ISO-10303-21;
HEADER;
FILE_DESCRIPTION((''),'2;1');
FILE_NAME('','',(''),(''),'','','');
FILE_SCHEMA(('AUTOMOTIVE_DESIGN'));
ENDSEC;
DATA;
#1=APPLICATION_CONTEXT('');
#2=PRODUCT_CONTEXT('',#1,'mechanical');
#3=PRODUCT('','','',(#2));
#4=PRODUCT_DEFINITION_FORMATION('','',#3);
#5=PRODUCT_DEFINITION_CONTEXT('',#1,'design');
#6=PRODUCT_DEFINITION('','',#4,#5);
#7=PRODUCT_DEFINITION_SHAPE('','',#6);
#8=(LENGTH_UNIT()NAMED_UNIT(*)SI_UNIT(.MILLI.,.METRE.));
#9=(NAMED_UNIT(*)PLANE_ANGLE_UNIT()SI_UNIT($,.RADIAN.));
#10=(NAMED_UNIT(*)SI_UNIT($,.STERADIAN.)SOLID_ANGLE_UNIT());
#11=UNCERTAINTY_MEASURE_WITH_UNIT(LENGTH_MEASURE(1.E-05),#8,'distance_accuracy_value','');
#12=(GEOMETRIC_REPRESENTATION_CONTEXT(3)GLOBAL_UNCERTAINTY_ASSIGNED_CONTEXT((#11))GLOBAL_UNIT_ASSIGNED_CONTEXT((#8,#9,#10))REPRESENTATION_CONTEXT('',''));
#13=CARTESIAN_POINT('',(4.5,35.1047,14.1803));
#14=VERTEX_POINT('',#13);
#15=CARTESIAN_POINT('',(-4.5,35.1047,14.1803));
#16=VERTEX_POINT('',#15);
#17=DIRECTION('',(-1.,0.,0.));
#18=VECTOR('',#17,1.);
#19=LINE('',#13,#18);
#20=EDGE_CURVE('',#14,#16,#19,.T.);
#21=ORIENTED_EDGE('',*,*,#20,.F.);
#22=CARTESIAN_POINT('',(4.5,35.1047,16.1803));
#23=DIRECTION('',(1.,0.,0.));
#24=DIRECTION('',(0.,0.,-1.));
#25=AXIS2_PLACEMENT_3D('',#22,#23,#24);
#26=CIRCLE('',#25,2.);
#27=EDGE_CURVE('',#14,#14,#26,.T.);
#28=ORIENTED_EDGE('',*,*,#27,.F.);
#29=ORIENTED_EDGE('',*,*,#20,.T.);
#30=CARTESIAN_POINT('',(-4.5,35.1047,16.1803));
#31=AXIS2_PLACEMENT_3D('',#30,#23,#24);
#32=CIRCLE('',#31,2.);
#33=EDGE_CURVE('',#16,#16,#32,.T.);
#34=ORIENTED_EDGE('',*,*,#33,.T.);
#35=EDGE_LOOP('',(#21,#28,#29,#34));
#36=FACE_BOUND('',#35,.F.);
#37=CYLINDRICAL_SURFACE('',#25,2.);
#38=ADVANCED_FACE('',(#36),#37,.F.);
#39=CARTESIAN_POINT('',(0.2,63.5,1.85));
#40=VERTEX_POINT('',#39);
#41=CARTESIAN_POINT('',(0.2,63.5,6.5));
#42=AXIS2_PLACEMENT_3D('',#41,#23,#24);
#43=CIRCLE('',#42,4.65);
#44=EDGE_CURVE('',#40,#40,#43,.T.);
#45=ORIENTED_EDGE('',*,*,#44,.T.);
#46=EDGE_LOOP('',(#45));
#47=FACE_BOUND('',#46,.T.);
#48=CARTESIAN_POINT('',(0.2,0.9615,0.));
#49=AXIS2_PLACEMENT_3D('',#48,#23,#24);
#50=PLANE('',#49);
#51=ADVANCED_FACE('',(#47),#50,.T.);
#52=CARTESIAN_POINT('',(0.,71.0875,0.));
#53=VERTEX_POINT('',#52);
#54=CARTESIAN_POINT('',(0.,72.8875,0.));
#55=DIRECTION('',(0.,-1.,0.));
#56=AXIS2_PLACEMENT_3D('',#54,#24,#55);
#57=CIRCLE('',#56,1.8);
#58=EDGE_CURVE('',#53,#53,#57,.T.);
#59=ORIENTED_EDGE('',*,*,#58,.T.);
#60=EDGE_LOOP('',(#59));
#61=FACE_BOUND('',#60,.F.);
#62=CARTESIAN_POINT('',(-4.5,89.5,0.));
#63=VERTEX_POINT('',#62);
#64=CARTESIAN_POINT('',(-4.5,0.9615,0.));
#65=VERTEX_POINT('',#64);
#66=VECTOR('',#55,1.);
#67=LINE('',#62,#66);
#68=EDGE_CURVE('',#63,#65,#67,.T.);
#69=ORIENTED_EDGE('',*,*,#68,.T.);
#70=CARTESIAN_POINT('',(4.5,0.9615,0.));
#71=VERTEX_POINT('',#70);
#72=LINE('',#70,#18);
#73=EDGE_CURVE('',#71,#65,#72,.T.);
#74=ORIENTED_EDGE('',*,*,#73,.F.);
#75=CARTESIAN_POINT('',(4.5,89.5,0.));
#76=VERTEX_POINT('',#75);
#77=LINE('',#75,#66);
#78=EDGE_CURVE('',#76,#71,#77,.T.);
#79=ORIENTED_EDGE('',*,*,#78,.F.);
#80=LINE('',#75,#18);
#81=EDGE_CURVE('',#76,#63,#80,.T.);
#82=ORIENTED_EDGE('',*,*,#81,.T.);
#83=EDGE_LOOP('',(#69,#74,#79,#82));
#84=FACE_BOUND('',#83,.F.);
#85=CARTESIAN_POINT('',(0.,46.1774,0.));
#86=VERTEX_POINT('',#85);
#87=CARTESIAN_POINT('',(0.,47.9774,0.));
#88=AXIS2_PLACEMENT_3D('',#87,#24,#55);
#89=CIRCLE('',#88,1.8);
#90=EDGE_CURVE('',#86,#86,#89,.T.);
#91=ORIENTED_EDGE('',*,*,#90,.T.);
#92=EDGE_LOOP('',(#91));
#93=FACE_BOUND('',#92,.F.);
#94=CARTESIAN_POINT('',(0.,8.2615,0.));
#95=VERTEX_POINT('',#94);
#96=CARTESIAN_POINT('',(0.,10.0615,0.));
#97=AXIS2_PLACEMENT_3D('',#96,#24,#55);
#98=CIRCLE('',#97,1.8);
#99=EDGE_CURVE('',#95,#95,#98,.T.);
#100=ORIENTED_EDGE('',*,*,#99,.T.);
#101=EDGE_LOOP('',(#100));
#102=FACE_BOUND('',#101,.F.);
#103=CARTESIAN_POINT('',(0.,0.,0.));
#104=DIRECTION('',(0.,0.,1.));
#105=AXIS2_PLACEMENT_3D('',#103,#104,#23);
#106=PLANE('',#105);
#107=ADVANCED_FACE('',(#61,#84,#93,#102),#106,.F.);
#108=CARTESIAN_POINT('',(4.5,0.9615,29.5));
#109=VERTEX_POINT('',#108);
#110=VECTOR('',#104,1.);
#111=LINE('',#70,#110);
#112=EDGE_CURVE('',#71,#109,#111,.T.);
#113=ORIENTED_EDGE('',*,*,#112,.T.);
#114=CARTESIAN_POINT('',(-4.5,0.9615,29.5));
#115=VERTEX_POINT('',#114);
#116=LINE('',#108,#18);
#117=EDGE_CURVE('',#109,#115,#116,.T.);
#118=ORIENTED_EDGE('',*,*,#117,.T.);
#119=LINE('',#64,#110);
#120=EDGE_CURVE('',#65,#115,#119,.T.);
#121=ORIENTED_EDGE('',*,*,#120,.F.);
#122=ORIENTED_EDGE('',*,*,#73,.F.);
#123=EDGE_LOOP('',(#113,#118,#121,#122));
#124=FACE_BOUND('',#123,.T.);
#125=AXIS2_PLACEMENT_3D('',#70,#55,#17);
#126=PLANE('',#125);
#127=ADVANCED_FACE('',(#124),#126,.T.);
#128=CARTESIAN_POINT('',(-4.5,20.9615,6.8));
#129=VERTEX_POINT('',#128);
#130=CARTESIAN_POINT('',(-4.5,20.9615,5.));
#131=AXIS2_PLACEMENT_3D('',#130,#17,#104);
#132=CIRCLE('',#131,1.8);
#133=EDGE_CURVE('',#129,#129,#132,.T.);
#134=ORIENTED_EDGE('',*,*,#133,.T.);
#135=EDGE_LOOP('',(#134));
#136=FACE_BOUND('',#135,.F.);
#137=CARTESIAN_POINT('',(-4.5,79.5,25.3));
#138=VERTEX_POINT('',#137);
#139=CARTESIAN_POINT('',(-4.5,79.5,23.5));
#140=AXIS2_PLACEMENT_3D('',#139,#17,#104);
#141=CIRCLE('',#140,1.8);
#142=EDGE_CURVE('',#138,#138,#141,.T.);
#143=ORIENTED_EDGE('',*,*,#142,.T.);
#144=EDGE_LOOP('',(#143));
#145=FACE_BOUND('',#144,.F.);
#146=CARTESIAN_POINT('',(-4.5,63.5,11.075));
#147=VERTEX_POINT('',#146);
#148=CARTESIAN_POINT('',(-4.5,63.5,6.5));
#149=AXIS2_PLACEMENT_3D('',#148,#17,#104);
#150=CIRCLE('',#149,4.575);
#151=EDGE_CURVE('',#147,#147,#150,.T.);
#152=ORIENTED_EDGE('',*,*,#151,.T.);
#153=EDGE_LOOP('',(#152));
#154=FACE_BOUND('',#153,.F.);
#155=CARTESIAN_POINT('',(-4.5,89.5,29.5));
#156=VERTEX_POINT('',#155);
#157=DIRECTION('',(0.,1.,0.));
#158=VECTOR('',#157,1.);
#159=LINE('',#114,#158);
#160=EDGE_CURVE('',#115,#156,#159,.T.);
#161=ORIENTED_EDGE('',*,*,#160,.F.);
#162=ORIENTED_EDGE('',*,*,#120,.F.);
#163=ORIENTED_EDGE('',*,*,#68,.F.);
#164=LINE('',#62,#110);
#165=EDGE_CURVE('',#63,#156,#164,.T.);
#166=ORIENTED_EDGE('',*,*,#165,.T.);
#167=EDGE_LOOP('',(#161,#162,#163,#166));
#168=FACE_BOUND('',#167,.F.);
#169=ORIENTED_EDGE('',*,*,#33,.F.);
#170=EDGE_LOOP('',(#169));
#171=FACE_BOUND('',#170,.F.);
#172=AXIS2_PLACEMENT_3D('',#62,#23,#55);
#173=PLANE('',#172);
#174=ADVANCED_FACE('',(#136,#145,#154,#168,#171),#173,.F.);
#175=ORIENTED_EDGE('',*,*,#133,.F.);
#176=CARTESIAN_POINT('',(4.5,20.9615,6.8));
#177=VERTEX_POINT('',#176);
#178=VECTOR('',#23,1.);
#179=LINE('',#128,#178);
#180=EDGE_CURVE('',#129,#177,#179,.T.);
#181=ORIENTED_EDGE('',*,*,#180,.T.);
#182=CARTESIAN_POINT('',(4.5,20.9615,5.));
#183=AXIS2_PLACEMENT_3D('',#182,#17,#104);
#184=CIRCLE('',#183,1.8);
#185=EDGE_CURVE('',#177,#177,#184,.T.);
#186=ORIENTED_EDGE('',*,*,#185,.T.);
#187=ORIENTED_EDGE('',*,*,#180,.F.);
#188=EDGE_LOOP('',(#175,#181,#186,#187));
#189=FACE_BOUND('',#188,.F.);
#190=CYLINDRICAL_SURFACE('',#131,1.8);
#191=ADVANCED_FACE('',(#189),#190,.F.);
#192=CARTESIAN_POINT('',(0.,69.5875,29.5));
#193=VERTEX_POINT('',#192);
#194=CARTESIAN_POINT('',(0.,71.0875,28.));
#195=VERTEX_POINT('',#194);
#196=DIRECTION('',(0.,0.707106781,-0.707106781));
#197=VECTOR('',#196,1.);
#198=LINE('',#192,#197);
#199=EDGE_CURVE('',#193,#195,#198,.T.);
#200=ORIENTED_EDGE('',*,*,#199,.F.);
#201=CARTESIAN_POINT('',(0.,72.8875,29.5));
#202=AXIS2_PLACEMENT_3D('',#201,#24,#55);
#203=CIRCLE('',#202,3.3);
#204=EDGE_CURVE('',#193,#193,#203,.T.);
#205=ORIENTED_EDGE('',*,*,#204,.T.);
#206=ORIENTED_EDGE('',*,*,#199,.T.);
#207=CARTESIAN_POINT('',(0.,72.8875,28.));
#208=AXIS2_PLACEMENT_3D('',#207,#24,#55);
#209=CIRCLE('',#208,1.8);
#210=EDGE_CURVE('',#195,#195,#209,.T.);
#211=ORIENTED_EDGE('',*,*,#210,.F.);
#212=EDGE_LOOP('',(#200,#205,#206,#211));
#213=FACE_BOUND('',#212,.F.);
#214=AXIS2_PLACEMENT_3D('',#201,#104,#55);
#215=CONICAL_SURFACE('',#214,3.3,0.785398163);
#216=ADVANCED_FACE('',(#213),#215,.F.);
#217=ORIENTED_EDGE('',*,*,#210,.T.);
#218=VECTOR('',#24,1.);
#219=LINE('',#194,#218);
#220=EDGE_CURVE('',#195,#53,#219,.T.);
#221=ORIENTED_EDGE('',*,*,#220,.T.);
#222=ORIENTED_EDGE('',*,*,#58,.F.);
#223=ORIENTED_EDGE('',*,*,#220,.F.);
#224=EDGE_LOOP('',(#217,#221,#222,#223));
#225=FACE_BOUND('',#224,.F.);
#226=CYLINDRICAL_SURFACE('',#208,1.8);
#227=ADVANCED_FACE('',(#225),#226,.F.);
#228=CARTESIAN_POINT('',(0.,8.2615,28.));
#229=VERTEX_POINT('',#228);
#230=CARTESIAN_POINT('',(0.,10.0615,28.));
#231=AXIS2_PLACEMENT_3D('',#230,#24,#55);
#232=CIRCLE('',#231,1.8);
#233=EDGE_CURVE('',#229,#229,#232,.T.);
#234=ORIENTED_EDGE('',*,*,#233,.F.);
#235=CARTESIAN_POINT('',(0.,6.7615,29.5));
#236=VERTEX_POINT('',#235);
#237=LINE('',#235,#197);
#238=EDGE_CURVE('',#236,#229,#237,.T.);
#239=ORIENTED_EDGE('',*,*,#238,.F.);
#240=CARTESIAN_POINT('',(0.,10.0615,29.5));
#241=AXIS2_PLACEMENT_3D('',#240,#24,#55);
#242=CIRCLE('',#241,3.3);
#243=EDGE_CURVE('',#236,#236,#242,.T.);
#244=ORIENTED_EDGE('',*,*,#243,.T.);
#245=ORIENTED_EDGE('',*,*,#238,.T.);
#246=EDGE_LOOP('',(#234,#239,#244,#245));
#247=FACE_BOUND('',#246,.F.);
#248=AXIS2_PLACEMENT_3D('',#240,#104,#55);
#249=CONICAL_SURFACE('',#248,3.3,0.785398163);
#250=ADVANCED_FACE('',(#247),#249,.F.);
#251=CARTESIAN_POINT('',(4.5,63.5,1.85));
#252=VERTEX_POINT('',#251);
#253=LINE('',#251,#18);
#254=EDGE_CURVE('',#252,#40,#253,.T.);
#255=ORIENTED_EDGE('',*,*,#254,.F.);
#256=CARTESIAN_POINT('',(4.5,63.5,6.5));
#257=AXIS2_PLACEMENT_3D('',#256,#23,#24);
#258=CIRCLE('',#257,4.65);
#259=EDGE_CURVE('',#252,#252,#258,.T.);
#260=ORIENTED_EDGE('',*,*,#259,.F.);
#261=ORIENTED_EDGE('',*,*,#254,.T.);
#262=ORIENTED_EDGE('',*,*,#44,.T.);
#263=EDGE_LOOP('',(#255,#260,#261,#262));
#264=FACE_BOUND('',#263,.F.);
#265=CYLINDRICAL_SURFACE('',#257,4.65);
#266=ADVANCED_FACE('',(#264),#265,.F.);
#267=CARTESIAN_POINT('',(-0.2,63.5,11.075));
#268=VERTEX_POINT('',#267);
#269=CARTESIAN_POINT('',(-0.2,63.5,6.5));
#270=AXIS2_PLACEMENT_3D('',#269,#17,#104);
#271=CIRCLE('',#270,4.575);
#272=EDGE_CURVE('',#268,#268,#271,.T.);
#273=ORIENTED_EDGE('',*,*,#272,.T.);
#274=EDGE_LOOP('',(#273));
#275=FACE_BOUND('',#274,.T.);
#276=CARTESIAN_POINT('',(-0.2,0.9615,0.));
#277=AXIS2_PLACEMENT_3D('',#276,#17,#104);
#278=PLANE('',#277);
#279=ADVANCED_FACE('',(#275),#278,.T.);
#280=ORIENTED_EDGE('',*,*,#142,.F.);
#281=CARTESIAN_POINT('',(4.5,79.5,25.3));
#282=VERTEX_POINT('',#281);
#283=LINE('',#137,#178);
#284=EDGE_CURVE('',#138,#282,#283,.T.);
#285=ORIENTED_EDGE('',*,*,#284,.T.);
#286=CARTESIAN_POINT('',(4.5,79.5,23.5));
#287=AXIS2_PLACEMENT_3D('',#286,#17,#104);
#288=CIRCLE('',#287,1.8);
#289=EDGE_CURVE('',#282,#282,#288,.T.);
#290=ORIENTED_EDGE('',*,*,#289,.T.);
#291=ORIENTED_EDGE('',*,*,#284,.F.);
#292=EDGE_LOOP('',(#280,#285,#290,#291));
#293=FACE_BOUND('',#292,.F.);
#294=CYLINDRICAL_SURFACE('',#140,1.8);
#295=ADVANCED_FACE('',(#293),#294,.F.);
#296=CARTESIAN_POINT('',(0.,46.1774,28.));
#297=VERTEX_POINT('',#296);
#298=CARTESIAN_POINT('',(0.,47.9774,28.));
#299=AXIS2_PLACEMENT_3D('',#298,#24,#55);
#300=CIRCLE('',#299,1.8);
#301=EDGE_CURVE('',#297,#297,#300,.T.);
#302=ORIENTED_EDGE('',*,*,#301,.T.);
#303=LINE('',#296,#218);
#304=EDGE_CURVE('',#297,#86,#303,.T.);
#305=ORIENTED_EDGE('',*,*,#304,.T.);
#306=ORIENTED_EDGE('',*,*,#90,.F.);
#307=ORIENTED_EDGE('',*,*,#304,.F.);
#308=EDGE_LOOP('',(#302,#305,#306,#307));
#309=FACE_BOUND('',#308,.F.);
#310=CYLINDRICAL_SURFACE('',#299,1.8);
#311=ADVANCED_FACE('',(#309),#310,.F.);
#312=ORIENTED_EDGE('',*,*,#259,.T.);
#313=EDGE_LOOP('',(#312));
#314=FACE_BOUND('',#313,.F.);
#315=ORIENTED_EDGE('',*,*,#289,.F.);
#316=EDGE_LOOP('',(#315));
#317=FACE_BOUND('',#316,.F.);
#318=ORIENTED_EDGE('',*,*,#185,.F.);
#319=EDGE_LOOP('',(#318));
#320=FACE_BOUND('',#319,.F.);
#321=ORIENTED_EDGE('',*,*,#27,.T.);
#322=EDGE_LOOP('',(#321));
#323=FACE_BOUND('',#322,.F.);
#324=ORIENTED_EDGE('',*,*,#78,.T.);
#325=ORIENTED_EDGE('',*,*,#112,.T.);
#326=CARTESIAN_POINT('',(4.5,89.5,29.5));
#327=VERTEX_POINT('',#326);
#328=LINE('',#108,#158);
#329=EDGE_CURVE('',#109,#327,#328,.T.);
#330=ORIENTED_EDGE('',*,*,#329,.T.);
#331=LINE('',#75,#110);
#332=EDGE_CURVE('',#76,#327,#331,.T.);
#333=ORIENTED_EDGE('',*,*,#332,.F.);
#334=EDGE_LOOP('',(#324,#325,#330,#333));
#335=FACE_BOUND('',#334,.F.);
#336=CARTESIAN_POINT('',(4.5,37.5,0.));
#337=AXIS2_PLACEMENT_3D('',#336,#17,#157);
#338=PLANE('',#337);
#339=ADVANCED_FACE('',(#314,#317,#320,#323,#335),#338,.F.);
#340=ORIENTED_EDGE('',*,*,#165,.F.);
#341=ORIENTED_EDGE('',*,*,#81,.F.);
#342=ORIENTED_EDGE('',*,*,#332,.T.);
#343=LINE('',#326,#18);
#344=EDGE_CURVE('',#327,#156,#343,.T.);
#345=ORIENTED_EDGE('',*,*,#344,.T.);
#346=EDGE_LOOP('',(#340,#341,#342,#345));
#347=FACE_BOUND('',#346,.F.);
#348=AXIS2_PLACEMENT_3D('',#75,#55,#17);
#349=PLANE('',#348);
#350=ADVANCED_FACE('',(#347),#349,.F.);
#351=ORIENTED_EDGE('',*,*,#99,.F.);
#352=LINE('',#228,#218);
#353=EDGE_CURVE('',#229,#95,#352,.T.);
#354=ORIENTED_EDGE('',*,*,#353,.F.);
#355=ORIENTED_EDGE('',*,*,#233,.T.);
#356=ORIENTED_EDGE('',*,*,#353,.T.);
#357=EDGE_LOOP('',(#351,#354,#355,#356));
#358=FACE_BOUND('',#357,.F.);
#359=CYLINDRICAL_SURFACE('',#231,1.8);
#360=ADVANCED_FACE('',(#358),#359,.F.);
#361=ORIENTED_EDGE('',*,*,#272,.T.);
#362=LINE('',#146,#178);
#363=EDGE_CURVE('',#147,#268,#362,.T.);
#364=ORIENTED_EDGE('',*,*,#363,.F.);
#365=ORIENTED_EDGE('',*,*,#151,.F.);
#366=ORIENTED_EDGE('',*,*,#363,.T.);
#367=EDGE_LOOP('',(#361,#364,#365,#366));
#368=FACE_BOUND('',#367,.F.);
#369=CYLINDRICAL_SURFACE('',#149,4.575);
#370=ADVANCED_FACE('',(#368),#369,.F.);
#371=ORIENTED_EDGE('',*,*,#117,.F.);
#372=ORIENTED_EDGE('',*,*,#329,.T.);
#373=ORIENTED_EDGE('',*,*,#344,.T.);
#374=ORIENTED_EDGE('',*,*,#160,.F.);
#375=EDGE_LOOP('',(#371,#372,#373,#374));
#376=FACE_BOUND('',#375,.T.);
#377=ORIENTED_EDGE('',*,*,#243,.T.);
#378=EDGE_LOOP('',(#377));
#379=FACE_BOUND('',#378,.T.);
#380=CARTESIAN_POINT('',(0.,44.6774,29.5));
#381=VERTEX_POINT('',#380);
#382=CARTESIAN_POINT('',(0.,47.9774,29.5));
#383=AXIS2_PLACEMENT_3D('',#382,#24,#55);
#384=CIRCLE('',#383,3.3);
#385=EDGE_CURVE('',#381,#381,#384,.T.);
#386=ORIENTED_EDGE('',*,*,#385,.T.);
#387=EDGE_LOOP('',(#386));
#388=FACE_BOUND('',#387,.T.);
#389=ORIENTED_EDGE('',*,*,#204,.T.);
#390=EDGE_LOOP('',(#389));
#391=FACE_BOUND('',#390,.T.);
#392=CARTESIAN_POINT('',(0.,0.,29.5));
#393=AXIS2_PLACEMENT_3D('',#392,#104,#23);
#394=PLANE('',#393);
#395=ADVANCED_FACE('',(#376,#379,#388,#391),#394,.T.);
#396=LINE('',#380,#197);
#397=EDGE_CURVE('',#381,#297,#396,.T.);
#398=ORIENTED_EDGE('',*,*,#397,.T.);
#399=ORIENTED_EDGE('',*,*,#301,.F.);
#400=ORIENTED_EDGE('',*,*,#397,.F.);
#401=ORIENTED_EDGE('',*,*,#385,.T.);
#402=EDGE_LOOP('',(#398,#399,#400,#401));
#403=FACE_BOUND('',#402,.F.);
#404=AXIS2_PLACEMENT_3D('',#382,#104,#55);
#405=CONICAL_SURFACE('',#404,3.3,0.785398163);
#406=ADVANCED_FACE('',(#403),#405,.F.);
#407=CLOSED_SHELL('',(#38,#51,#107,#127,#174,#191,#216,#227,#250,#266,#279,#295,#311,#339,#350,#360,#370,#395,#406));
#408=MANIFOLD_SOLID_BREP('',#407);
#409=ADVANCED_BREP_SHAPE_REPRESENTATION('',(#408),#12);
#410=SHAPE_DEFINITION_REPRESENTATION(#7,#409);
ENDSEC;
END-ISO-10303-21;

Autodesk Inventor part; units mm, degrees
ref_plane "YZ Plane" through (0, 0, 0) normal (1, 0, 0) x (0, 1, 0)
ref_plane "XZ Plane" through (0, 0, 0) normal (0, 1, 0) x (-1, 0, 0)
ref_plane "Work Plane1" through (0, 0, 0) normal (0, 0, 1) x (1, 0, 0)
sketch "Sketch1" plane through (0, 0, 0) normal (0, 0, 1) x (1, 0, 0)
  line L0 (-74, -73.5) -> (-74, -89.5) projected
  line L1 (-74, -89.5) -> (74, -89.5) projected
  line L2 (74, -89.5) -> (74, -73.5) projected
  line L3 (74, -73.5) -> (89, -73.5) projected
  line L4 (89, -73.5) -> (89, 37.5) projected
  line L5 (89, 37.5) -> (22.5, 37.5) projected
  line L6 (22.5, 37.5) -> (22.5, 89.5) projected
  line L7 (22.5, 89.5) -> (16.5, 89.5) projected
  line L8 (16.5, 89.5) -> (16.5, 37.5) projected
  line L9 (16.5, 37.5) -> (4.5, 37.5) projected
  line L10 (4.5, 37.5) -> (4.5, 89.5) projected
  line L11 (4.5, 89.5) -> (-4.5, 89.5) projected
  line L12 (-4.5, 89.5) -> (-4.5, 37.5) projected
  line L13 (-4.5, 37.5) -> (-16.5, 37.5) projected
  line L14 (-16.5, 37.5) -> (-16.5, 89.5) projected
  line L15 (-16.5, 89.5) -> (-22.5, 89.5) projected
  line L16 (-22.5, 89.5) -> (-22.5, 37.5) projected
  line L17 (-22.5, 37.5) -> (-89, 37.5) projected
  line L18 (-89, 37.5) -> (-89, -73.5) projected
  line L19 (-89, -73.5) -> (-74, -73.5) projected
  circle A0 centre (-29.2, 3.1615) radius 1.8 projected
  line L20 (-22.5, 13.4539) -> (-22.5, 0.9615) projected
  line L21 (-27.2, 13.4539) -> (-22.5, 13.4539) projected
  line L22 (-27.2, 13.4539) -> (-27.2, 5.7703) projected
  line L23 (-27.2, 5.7703) -> (-32.2, 5.7703) projected
  line L24 (-32.2, 0.9615) -> (-32.2, 5.7703) projected
  line L25 (-32.2, 0.9615) -> (-22.5, 0.9615) projected
  circle A1 centre (29.2, 3.1615) radius 1.8 projected
  line L26 (22.5, 13.4539) -> (22.5, 0.9615) projected
  line L27 (32.2, 0.9615) -> (22.5, 0.9615) projected
  line L28 (32.2, 0.9615) -> (32.2, 5.7703) projected
  line L29 (27.2, 5.7703) -> (32.2, 5.7703) projected
  line L30 (27.2, 13.4539) -> (27.2, 5.7703) projected
  line L31 (27.2, 13.4539) -> (22.5, 13.4539) projected
  line L32 (-4.5, 89.5) -> (4.5, 89.5)
  line L33 (4.5, 89.5) -> (4.5, 0.9615)
  line L34 (4.5, 0.9615) -> (-4.5, 0.9615)
  line L35 (-4.5, 0.9615) -> (-4.5, 89.5)
  point P0 (0, 0)
ref_plane "Work Plane2" through (-88.5, 89.5, 29.5) normal (0, 0, 1) x (1, 0, 0)
extrude "Extrusion1" add sketch "Sketch1" along normal up to surface (29.5 mm away) contours L12 L11 L10 L33 L34 L35
sketch "Sketch2" plane through (4.5, 0.9615, 0) normal (1, 0, 0) x (0, 0, -1)
  circle A0 centre (-16.1803, 34.1432) radius 2 projected
  point P0 (0, -0.9615)
extrude "Extrusion2" cut sketch "Sketch2" against normal up to next
sketch "Sketch3" plane through (4.5, 0.9615, 0) normal (1, 0, 0) x (0, 0, -1)
  circle A0 centre (-6.5, 62.5385) radius 5.5 projected
  circle A1 centre (-6.5, 62.5385) radius 4.5
  circle A2 centre (-6.5, 62.5385) radius 4.65
  point P0 (0, -0.9615)
  dimension "d4" = 9
  dimension "d5" = 0.15
extrude "Extrusion3" cut sketch "Sketch3" against normal blind 4.3 contours A1 | A2
sketch "Sketch4" plane through (-4.5, 0.9615, 0) normal (-1, 0, 0) x (0, 0, 1)
  circle A0 centre (6.5, 62.5385) radius 1.2295 projected
  circle A1 centre (6.5, 62.5385) radius 4.65 projected
  circle A2 centre (6.5, 62.5385) radius 4.575
  point P0 (0, -0.9615)
  dimension "d8" = 9.15
extrude "Extrusion4" cut sketch "Sketch4" against normal blind 4.3 contours A0 | A2
sketch "Sketch6" plane through (-4.5, 0.9615, 0) normal (-1, 0, 0) x (0, 0, 1)
  circle A0 centre (5, 20) radius 1.8 projected
  circle A1 centre (23.5, 78.5385) radius 1.8 projected
  point P0 (0, -0.9615)
extrude "Extrusion5" cut sketch "Sketch6" against normal up to surface (9 mm away)
sketch "Sketch7" plane through (-4.5, 0.9615, 29.5) normal (0, 0, 1) x (1, 0, 0)
  line L0 (9, 21.8) -> (9, 18.2) projected
  line L1 (0, 18.2) -> (0, 21.8) projected
  line L2 (0, 32.1432) -> (0, 36.1432) projected
  line L3 (9, 36.1432) -> (9, 32.1432) projected
  line L4 (4.3, 57.9635) -> (4.3, 67.1135) projected
  line L5 (0, 57.9635) -> (0, 67.1135) projected
  line L6 (0, 76.7385) -> (0, 80.3385) projected
  line L7 (9, 88.5385) -> (9, 0) projected
  line L8 (0, 80.3385) -> (9, 80.3385)
  line L9 (9, 80.3385) -> (9, 76.7385)
  line L10 (9, 76.7385) -> (0, 76.7385)
  line L11 (0, 76.7385) -> (0, 80.3385)
  line L12 (9, 57.8885) -> (4.7, 57.8885) projected
  line L13 (0, 67.1135) -> (9, 67.1135)
  line L14 (9, 67.1135) -> (9, 57.8885)
  line L15 (9, 57.8885) -> (0, 57.8885)
  line L16 (0, 57.8885) -> (0, 67.1135)
  line L17 (0, 36.1432) -> (9, 36.1432)
  line L18 (9, 36.1432) -> (9, 32.1432)
  line L19 (9, 32.1432) -> (0, 32.1432)
  line L20 (0, 32.1432) -> (0, 36.1432)
  line L21 (9, 0) -> (0, 0) projected
  line L22 (9, 88.5385) -> (9, 0) projected
  line L23 (0, 88.5385) -> (9, 88.5385) projected
  line L24 (0, 0) -> (0, 88.5385) projected
  line L25 (0, 18.2) -> (9, 18.2)
  line L26 (9, 18.2) -> (9, 21.8)
  line L27 (9, 21.8) -> (0, 21.8)
  line L28 (0, 21.8) -> (0, 18.2)
  line L29 (0, 18.2) -> (9, 0)
  line L30 (0, 0) -> (9, 18.2)
  line L31 (9, 36.1432) -> (0, 57.8885)
  line L32 (0, 36.1432) -> (9, 57.8885)
  line L33 (0, 76.7385) -> (9, 67.1135)
  line L34 (0, 67.1135) -> (9, 76.7385)
  point P0 (4.5, -0.9615)
  point P1 (4.5, 9.1)
  point P2 (4.5, 47.0158)
  point P3 (4.5, 71.926)
hole "Hole2" at (0, 10.0615, 29.5) at (0, 47.9774, 29.5) at (0, 72.8875, 29.5) direction (0, 0, -1) diameter 3.6 end through all countersink diameter 6.6 countersink angle 90 clearance for "Countersunk Flat Head Screw ISO 2009/7046" size "M3" standard "ISO"
properties part number "middle_gaer_holder"
